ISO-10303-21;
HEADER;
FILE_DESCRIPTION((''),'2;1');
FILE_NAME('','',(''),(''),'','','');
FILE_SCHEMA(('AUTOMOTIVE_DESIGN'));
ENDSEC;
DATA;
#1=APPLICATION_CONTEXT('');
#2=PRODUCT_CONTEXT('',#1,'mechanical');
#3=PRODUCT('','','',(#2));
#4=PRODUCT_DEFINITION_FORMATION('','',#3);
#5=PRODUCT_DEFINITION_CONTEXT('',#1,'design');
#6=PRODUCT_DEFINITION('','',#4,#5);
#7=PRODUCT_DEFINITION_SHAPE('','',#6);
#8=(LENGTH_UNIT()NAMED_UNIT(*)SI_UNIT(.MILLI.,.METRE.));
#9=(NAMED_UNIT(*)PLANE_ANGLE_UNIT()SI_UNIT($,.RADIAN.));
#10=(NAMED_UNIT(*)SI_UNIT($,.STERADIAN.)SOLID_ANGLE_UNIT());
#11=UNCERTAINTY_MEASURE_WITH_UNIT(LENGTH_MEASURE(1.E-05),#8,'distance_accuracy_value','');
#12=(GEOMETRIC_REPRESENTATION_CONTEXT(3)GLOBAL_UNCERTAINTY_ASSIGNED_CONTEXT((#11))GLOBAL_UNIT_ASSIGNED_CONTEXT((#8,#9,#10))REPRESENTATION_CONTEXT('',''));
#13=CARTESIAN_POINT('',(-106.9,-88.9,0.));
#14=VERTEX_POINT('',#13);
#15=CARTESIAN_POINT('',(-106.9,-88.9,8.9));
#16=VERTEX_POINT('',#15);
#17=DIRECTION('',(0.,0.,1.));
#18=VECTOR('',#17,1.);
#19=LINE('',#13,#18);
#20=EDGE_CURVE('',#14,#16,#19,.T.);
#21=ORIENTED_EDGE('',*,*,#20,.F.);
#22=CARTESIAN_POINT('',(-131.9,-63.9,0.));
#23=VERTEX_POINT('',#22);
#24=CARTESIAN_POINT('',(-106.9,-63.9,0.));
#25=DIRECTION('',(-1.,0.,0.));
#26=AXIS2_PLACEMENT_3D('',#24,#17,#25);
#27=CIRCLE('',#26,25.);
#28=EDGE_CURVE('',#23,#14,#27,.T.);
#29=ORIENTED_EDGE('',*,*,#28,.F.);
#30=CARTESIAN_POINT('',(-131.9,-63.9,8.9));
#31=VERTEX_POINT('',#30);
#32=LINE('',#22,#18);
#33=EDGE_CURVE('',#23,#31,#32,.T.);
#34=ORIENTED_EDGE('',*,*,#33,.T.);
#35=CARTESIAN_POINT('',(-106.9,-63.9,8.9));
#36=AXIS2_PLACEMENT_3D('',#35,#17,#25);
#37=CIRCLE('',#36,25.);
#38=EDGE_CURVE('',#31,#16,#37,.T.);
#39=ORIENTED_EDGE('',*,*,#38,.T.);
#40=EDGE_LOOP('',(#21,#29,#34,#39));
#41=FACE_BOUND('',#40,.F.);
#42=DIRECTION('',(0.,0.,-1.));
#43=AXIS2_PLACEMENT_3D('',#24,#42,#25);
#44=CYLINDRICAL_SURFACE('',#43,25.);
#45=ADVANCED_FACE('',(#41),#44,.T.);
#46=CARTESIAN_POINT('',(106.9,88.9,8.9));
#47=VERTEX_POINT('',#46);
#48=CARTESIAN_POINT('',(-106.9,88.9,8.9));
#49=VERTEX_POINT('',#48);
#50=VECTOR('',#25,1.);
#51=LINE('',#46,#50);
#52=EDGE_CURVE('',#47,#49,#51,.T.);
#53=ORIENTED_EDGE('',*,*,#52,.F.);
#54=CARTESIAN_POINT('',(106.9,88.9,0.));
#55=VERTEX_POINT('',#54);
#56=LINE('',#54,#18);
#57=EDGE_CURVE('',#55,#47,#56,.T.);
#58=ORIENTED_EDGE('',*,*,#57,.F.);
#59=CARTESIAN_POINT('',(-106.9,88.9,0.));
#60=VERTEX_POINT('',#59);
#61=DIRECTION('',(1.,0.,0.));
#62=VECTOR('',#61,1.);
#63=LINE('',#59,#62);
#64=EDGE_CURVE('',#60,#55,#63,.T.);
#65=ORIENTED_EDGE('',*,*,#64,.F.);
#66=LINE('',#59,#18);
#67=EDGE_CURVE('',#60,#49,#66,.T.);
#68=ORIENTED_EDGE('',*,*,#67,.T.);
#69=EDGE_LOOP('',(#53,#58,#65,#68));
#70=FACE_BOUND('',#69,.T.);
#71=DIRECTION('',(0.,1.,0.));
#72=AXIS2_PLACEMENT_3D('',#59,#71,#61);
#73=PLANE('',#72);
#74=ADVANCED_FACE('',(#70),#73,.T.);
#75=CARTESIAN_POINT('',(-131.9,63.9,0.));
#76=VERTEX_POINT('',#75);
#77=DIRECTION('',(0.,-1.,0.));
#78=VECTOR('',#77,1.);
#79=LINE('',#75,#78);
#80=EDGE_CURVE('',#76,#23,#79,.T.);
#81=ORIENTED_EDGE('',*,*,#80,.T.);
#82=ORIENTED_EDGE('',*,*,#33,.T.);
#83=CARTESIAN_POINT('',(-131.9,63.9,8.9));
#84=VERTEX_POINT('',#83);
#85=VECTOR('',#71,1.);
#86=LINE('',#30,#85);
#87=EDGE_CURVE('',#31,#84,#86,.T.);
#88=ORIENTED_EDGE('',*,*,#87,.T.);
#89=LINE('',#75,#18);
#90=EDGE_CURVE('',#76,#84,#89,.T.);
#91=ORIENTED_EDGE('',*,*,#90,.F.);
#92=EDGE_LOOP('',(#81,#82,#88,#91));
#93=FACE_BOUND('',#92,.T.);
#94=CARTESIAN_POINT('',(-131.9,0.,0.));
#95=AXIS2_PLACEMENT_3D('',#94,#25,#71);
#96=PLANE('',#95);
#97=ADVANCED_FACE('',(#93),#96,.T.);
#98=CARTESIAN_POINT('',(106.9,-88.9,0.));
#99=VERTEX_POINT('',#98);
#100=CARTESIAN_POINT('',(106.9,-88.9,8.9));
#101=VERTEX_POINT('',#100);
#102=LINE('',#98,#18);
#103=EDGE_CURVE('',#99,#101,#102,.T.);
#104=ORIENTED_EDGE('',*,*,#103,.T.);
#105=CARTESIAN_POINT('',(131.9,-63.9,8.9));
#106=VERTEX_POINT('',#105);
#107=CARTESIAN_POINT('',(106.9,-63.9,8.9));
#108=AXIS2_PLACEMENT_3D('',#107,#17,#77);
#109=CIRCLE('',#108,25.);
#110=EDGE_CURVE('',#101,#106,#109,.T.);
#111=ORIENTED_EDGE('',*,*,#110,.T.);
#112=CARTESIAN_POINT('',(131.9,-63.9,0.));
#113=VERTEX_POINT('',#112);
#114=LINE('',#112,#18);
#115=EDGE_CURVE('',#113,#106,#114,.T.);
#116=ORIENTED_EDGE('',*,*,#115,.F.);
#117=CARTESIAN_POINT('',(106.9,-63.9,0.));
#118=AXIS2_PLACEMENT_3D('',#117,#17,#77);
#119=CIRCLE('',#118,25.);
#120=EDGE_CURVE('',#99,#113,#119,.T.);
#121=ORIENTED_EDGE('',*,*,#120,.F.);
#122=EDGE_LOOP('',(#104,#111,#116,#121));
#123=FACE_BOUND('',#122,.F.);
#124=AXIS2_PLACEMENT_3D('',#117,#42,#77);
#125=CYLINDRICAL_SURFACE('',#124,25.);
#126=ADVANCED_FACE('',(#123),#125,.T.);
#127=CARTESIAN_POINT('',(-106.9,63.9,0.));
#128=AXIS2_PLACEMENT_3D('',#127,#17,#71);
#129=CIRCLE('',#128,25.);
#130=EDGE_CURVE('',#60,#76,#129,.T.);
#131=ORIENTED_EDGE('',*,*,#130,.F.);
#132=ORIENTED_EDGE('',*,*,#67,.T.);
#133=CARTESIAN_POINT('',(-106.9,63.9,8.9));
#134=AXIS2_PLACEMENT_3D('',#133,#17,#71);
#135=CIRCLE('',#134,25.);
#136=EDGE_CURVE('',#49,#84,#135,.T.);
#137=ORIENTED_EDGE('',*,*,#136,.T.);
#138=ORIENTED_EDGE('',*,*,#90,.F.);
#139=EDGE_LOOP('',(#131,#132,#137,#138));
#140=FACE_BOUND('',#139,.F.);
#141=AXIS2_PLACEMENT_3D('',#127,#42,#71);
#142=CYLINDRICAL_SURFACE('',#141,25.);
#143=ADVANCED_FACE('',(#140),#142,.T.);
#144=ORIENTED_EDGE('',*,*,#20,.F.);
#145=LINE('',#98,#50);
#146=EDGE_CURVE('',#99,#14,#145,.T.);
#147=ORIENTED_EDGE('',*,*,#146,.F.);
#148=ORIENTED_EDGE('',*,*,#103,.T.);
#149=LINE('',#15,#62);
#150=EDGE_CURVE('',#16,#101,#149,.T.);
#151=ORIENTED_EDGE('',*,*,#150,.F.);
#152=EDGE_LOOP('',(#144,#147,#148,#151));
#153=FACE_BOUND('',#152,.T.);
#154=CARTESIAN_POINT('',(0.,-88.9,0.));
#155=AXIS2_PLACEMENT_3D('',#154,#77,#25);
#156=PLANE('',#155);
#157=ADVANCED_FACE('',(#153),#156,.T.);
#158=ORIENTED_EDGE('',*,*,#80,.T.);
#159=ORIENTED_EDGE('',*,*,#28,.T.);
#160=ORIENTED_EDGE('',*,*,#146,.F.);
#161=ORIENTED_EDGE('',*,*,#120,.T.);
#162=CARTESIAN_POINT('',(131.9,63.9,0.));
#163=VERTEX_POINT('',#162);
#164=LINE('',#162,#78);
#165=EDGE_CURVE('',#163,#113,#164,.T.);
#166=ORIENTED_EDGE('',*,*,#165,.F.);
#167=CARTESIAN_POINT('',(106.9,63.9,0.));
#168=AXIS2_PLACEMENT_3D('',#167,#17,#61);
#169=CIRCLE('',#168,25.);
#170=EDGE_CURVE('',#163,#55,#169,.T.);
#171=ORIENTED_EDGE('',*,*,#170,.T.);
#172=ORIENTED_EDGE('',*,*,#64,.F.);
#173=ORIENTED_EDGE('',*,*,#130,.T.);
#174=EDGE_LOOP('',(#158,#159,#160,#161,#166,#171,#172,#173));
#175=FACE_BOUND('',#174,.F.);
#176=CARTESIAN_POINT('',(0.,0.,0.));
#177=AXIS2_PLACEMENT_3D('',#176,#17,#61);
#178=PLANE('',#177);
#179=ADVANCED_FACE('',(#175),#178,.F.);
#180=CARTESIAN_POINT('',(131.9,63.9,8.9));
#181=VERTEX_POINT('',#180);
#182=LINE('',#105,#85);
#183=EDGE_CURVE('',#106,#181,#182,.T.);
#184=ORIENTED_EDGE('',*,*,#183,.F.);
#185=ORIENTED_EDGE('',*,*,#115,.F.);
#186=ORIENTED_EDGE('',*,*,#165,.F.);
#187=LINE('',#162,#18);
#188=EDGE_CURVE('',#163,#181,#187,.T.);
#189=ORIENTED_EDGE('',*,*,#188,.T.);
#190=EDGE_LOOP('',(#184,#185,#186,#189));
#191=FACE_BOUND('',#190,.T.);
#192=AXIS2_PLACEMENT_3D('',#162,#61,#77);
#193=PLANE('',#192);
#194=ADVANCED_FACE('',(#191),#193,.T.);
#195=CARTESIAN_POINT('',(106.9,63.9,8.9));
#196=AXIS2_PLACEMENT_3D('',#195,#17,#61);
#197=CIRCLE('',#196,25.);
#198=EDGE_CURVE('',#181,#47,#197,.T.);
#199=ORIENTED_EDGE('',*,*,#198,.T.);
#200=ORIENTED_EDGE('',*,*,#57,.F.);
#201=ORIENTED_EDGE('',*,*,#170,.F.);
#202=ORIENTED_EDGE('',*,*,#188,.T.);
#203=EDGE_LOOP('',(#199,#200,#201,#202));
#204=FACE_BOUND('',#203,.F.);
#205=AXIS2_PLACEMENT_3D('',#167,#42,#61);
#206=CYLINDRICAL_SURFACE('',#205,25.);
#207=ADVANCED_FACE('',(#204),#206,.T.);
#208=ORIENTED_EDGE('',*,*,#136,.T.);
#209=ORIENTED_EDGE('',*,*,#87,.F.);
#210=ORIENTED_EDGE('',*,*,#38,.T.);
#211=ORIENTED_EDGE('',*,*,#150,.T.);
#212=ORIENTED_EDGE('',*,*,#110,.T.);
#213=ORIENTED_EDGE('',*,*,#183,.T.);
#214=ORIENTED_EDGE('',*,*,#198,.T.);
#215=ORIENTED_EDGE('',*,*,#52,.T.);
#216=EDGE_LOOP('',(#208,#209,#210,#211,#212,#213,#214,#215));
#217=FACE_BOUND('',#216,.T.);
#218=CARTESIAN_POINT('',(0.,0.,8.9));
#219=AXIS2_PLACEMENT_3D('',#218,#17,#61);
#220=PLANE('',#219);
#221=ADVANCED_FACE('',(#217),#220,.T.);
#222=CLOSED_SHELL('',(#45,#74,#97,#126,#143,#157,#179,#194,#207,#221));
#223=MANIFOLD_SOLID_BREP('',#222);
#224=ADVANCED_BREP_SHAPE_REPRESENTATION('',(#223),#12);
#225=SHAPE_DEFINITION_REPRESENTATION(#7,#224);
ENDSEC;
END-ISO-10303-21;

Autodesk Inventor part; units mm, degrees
ref_plane "YZ Plane" through (0, 0, 0) normal (1, 0, 0) x (0, 1, 0)
ref_plane "XZ Plane" through (0, 0, 0) normal (0, 1, 0) x (-1, 0, 0)
ref_plane "XY Plane" through (0, 0, 0) normal (0, 0, 1) x (1, 0, 0)
sketch "Skizze1" plane through (0, 0, 0) normal (0, 0, 1) x (1, 0, 0)
  line L0 (-191.9087, 0) -> (191.9087, 0) projected
  line L1 (0, -131.7087) -> (0, 131.7087) projected
  line L2 (-106.9, 88.9) -> (106.9, 88.9)
  line L3 (131.9, 63.9) -> (131.9, -63.9)
  line L4 (106.9, -88.9) -> (-106.9, -88.9)
  line L5 (-131.9, -63.9) -> (-131.9, 63.9)
  arc A0 (-106.9, 88.9) -> (-131.9, 63.9) centre (-106.9, 63.9) ccw
  arc A1 (131.9, 63.9) -> (106.9, 88.9) centre (106.9, 63.9) ccw
  arc A2 (106.9, -88.9) -> (131.9, -63.9) centre (106.9, -63.9) ccw
  arc A3 (-131.9, -63.9) -> (-106.9, -88.9) centre (-106.9, -63.9) ccw
  point P0 (0, 0)
  point P1 (131.9, -88.9)
  point P2 (131.9, 88.9)
  dimension "d0" = 263.8
  dimension "d1" = 177.8
  dimension "d2" = 25
extrude "Extrusion1" add sketch "Skizze1" along normal blind 8.9
properties part number "Tablet - Nexus 10"
